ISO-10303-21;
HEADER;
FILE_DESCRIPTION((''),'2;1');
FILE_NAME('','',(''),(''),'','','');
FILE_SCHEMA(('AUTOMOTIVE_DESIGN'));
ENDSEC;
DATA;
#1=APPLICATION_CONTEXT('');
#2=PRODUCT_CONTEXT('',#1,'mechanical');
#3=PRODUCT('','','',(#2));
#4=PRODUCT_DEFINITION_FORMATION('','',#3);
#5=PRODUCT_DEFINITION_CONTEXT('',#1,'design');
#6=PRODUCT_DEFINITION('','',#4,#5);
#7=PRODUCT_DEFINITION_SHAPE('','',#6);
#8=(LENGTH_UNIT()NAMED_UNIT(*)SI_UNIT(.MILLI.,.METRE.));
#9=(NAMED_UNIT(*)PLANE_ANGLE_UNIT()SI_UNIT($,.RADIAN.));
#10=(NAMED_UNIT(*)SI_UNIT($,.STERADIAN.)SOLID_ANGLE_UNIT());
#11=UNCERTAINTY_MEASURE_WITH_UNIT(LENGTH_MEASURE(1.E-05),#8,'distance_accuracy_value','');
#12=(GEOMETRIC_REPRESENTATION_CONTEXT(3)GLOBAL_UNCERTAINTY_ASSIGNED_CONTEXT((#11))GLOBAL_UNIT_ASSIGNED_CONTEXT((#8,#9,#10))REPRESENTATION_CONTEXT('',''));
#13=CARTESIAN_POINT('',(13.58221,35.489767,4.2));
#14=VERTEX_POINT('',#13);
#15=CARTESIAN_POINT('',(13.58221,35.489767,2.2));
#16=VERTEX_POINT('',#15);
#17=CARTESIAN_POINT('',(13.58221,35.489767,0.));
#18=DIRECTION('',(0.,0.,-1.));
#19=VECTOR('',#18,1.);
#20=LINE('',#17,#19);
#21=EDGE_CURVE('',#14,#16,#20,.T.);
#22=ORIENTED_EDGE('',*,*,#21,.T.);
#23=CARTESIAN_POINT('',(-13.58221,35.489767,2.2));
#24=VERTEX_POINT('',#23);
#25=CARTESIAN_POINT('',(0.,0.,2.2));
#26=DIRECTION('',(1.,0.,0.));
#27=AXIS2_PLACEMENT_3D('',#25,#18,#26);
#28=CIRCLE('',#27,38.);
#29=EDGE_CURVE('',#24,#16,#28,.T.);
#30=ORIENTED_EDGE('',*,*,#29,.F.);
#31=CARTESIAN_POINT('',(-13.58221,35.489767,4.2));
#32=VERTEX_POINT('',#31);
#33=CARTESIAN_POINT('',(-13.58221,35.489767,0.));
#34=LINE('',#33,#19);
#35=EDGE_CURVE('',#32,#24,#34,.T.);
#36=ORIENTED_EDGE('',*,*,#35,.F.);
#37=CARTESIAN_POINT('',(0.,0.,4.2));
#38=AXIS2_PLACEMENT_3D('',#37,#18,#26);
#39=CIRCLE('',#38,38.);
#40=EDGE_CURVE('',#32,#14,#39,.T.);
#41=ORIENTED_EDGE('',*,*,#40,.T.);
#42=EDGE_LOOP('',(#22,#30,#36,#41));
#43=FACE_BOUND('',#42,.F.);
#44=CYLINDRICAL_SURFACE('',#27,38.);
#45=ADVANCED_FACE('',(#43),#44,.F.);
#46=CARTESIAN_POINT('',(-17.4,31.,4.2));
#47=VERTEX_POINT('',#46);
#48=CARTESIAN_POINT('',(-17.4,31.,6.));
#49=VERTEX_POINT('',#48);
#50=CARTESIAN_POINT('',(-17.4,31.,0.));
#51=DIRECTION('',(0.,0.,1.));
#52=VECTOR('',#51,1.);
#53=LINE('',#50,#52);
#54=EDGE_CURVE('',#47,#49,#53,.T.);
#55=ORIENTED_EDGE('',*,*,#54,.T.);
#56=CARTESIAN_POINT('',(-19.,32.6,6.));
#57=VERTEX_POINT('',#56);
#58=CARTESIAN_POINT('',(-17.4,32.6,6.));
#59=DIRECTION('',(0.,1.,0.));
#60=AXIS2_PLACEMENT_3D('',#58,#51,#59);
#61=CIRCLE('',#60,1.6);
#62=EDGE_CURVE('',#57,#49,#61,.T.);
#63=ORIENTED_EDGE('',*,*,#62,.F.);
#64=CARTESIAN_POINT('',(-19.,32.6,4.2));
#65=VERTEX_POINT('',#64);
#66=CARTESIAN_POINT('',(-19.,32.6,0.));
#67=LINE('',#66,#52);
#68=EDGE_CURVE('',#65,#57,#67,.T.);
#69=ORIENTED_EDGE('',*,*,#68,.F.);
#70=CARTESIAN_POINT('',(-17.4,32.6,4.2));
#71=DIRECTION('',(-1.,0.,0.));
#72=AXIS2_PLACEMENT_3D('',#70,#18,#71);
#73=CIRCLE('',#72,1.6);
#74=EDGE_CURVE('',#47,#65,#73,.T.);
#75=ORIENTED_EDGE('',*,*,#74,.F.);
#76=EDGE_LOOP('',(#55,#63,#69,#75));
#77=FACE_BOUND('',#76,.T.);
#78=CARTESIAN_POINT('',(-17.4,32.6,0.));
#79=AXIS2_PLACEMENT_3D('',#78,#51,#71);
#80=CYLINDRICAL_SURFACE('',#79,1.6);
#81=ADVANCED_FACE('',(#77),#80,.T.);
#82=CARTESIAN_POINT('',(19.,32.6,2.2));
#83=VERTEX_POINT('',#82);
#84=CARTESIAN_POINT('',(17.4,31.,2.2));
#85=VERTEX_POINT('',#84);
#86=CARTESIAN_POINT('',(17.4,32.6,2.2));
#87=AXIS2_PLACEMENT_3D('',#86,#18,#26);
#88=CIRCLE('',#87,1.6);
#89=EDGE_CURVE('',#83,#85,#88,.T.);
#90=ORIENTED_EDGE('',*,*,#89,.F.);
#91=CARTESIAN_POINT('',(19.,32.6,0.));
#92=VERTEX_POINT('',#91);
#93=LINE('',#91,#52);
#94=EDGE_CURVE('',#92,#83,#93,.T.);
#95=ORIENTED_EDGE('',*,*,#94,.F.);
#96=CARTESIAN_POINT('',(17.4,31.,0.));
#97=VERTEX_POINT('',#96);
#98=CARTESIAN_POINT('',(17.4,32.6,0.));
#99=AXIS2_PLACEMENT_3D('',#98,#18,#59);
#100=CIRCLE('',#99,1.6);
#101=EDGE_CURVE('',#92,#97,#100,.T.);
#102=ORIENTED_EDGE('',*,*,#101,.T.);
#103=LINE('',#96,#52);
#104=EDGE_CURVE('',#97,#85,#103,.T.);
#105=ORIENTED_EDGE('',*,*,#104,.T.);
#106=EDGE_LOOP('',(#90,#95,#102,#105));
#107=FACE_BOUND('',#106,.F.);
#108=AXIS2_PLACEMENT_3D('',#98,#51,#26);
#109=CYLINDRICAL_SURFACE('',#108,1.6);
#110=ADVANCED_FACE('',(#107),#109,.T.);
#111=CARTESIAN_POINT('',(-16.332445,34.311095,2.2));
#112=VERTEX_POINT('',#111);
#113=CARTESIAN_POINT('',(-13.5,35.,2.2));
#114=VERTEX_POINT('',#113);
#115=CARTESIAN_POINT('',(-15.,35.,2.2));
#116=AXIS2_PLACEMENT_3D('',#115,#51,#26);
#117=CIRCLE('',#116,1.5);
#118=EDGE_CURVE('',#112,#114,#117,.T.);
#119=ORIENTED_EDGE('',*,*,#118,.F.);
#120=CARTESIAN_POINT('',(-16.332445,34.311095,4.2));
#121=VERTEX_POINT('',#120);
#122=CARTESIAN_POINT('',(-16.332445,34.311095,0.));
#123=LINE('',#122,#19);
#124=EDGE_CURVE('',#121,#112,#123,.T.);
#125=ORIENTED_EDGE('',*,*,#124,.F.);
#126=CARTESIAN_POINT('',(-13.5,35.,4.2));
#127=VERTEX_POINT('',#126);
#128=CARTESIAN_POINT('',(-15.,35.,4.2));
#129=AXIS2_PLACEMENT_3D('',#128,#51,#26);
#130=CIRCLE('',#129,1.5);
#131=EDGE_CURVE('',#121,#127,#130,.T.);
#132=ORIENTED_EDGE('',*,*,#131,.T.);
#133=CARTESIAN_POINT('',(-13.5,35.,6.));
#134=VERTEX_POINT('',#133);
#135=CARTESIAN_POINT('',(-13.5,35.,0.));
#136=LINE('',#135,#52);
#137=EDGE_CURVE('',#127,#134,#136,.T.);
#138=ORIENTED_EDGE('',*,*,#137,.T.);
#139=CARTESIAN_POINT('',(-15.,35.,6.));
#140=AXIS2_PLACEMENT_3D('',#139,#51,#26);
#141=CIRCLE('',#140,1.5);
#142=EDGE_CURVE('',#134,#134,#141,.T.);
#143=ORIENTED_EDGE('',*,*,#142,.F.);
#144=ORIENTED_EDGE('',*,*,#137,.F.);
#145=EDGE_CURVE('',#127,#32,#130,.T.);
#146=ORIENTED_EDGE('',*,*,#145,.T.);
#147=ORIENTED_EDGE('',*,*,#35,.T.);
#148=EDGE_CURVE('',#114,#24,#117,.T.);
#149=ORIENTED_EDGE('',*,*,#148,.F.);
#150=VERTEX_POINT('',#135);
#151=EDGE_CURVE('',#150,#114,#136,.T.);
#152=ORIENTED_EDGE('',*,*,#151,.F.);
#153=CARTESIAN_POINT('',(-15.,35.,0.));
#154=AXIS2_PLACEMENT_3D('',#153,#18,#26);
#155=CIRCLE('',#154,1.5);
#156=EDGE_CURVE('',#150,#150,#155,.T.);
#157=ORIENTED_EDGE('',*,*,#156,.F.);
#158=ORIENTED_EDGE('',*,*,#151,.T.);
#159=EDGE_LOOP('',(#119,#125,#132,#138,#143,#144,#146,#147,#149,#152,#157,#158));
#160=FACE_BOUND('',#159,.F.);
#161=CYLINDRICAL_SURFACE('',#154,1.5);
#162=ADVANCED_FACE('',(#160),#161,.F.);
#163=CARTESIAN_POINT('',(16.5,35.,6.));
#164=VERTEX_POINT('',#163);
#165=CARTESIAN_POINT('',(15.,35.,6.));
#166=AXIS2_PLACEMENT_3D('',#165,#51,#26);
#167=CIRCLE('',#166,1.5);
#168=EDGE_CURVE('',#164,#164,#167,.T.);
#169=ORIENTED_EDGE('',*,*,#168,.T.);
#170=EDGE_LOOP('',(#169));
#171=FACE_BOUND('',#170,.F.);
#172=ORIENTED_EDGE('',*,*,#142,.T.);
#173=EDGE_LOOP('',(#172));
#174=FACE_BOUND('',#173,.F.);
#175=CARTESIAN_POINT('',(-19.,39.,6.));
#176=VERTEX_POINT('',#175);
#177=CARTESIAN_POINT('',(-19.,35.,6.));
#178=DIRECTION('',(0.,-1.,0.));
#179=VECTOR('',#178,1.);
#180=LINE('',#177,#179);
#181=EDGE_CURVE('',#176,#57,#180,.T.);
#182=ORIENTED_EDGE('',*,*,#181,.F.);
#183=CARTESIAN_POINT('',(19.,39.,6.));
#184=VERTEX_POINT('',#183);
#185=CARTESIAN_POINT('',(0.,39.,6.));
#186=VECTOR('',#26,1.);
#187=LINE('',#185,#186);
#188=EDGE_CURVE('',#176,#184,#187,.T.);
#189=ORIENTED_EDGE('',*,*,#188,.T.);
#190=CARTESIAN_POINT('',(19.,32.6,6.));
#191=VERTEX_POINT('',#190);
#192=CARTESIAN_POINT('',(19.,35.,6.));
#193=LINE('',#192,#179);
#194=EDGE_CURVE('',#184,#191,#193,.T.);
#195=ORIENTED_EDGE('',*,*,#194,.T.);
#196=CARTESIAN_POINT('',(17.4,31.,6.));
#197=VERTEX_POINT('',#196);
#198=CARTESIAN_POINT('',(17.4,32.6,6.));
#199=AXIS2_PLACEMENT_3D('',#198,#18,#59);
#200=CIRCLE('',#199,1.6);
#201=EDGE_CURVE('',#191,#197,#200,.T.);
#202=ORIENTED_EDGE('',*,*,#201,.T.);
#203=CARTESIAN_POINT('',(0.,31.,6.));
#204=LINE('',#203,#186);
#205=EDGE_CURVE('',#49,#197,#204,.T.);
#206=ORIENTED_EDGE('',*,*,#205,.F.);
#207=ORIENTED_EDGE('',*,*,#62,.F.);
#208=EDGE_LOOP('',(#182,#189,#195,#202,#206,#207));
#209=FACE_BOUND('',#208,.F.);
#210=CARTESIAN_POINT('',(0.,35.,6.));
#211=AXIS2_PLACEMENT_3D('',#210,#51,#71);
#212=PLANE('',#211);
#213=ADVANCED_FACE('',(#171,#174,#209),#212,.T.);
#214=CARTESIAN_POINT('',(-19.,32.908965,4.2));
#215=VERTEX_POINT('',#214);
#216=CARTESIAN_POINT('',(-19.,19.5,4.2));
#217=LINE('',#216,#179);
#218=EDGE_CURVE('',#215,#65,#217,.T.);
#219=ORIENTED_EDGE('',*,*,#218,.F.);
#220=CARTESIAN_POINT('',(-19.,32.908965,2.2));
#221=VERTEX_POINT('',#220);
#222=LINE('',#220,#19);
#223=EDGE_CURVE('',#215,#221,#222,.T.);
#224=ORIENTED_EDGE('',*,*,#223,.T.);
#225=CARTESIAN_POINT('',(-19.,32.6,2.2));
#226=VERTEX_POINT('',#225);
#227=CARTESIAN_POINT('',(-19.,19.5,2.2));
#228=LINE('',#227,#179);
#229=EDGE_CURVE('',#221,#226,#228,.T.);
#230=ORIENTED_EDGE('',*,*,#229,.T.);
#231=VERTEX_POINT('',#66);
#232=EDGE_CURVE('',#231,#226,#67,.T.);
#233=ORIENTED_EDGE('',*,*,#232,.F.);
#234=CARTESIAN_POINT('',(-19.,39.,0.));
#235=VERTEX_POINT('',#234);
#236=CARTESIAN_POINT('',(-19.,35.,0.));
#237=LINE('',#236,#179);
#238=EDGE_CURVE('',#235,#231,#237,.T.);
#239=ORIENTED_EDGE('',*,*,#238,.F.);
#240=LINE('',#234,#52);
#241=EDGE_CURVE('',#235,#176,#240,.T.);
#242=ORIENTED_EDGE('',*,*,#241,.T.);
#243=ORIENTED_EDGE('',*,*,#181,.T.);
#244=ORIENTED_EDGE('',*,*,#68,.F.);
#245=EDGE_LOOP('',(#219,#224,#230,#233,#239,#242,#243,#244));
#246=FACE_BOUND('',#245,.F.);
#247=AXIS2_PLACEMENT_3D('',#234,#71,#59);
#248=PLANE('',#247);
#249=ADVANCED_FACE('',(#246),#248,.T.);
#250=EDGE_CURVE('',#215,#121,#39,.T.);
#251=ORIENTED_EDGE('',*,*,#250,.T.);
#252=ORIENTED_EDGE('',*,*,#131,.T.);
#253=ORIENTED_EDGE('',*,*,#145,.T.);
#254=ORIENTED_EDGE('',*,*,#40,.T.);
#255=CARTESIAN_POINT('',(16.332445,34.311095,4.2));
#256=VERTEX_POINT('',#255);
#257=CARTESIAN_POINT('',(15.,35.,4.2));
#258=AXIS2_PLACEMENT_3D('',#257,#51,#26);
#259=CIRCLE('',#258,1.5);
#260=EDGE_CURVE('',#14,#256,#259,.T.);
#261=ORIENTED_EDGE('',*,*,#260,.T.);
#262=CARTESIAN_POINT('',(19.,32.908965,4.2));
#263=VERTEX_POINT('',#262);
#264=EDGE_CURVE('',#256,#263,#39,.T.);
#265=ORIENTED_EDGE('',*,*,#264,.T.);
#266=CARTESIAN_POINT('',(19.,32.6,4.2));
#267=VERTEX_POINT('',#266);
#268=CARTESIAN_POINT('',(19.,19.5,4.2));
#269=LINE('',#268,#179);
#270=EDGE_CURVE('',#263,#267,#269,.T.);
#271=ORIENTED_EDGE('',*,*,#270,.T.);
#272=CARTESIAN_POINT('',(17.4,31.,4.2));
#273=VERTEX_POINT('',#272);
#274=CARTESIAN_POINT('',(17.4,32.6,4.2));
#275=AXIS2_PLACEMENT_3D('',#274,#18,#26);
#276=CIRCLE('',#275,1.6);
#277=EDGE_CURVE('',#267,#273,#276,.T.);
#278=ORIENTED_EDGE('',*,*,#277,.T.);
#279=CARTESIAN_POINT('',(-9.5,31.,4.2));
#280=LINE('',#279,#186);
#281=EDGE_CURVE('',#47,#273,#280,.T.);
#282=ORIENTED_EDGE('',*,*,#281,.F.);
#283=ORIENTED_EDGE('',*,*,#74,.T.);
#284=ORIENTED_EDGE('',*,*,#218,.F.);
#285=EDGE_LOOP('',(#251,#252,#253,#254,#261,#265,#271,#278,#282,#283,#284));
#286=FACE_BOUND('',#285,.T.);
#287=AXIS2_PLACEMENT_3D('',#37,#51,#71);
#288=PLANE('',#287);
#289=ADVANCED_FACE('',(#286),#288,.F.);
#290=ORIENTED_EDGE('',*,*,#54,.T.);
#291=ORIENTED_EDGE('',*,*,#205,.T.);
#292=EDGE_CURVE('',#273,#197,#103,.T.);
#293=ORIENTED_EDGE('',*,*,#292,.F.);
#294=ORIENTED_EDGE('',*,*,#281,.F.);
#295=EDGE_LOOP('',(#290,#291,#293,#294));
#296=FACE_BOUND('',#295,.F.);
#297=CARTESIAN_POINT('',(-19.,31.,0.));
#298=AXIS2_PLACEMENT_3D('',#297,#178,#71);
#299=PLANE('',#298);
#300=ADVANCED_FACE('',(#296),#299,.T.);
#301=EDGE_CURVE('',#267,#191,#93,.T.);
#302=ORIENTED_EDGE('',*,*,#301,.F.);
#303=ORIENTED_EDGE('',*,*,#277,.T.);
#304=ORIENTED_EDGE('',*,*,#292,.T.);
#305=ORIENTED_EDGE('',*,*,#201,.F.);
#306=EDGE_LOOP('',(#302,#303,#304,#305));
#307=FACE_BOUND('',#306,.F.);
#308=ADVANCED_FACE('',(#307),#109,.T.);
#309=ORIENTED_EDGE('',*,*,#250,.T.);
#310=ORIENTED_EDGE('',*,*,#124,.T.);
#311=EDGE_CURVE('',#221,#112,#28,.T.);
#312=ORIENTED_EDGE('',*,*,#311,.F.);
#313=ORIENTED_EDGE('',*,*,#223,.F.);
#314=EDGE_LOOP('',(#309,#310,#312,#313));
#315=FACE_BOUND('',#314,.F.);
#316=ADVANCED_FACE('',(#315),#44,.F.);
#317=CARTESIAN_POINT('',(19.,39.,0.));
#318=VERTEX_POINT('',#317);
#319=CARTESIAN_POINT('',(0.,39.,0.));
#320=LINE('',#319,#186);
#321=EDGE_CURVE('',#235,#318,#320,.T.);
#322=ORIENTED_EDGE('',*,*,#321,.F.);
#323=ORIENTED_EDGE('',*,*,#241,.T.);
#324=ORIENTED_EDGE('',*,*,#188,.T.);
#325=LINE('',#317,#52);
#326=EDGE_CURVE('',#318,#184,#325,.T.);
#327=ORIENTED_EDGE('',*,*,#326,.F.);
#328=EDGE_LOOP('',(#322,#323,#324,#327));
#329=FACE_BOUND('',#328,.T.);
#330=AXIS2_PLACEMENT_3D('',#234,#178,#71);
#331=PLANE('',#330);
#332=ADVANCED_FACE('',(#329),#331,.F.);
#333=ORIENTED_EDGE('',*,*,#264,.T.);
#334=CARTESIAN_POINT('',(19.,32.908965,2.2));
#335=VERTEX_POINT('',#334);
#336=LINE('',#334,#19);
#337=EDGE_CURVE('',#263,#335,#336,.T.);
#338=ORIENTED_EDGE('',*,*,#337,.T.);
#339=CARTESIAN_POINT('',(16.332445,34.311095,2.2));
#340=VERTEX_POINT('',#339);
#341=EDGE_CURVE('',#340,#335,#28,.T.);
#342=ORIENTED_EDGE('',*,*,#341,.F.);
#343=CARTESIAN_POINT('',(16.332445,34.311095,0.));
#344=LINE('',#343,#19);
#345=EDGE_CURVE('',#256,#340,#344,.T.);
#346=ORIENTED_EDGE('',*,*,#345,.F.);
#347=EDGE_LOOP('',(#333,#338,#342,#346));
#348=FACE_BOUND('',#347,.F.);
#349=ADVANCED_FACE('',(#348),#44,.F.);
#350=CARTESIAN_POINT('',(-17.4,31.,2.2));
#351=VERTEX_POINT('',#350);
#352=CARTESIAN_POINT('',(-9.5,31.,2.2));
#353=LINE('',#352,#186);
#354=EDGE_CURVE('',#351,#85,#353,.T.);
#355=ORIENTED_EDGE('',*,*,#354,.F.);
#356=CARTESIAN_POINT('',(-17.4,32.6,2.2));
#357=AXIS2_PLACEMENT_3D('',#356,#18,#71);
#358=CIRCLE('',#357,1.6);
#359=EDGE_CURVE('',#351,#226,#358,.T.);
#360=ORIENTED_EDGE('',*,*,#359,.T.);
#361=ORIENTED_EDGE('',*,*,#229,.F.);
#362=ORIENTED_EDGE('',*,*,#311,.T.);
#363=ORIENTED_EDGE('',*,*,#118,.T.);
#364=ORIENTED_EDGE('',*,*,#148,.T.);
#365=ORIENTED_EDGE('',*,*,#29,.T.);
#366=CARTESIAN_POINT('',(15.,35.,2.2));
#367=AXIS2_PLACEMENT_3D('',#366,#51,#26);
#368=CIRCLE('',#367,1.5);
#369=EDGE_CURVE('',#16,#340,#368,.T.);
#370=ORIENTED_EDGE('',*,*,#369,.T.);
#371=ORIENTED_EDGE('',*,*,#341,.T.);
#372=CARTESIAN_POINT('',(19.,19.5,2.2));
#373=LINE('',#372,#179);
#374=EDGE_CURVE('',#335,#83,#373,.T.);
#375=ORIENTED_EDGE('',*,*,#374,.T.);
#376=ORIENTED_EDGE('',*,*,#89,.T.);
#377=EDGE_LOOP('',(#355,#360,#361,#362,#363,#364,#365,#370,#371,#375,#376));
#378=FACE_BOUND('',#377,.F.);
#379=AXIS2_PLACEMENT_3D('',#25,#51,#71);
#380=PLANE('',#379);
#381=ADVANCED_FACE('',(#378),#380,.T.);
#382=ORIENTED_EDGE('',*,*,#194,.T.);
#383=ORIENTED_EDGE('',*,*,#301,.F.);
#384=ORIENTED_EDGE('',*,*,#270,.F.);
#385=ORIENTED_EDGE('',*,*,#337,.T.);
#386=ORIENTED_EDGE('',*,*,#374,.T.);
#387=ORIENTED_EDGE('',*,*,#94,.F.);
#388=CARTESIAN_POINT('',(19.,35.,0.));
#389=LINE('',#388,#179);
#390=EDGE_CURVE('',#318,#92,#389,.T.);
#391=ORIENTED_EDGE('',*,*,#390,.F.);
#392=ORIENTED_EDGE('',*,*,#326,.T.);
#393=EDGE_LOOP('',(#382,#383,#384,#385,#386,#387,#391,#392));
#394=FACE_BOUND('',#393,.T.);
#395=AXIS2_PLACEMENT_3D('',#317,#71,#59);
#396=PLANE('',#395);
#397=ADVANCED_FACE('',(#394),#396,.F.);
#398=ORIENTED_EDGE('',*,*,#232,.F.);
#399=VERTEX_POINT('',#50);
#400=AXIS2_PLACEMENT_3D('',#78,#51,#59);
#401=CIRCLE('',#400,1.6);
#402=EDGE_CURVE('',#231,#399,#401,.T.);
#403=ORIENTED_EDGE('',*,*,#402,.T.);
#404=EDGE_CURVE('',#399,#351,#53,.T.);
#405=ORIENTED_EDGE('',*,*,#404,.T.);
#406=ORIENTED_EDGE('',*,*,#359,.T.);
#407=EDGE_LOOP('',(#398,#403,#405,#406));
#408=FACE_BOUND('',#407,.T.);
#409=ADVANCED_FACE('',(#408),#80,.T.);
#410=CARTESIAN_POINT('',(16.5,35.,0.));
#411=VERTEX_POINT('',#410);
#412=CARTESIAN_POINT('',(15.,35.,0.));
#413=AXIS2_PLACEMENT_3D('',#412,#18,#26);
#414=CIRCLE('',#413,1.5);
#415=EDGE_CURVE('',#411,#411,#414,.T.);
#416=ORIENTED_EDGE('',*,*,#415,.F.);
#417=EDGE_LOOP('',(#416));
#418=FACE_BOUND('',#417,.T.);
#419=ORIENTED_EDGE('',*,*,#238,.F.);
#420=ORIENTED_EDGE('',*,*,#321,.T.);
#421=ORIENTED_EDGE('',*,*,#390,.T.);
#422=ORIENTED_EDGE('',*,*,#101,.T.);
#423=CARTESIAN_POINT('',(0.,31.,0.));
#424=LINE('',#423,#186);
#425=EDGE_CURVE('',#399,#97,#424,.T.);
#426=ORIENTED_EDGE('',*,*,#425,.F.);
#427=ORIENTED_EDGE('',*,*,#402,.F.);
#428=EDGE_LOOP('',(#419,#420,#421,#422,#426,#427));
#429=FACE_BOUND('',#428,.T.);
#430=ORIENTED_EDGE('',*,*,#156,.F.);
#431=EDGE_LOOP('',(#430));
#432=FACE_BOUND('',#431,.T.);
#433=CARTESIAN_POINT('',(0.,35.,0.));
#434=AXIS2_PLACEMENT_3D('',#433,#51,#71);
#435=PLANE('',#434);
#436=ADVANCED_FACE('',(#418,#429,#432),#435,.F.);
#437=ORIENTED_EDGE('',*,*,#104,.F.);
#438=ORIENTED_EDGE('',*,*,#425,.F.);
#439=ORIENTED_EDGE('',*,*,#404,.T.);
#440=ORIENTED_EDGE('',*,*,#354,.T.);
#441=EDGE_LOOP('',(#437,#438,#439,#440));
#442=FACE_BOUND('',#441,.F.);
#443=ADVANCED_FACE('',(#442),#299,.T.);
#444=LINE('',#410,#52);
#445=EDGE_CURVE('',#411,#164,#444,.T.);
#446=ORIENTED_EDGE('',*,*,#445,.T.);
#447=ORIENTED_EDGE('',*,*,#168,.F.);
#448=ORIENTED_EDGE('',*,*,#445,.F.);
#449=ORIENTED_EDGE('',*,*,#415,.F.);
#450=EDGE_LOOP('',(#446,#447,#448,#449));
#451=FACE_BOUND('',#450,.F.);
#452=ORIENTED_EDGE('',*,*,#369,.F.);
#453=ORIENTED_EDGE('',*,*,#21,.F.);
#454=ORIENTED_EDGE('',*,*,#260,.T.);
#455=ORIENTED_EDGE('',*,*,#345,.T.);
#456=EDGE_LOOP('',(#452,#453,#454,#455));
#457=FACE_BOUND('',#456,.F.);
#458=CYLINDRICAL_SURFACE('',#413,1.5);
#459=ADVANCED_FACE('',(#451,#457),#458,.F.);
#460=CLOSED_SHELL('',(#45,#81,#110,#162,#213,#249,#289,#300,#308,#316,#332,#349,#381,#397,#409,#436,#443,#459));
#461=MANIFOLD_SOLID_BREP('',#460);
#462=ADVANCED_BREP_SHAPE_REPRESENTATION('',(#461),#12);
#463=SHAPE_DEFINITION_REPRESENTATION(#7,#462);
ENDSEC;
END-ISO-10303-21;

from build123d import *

# Parameters (mm, degrees)
CYLINDER028_R     = 38
CYLINDER028_DEPTH = 2
CYLINDER031_R     = 1.5
CYLINDER031_DEPTH = 10
CYLINDER032_R     = 1.5
CYLINDER032_DEPTH = 10
BOX033_W          = 38
BOX033_H          = 8
BOX033_DEPTH      = 6
FILLET006_R       = 1.6


with BuildPart() as cylinder007:
    # Cylinder028 → Cylinder028 (new body)
    with BuildSketch(Plane.XY.offset(2.2)):
        Circle(CYLINDER028_R)
    extrude(amount=CYLINDER028_DEPTH)


with BuildPart() as cylinder010:
    # Cylinder031 → Cylinder031 (new body)
    with BuildSketch(Plane(origin=(-15, -35, 0), x_dir=(1, 0, 0), z_dir=(0, 0, 1))):
        Circle(CYLINDER031_R)
    extrude(amount=CYLINDER031_DEPTH)


with BuildPart() as fusion017:
    # Cylinder032 → Cylinder032 (new body)
    with BuildSketch(Plane(origin=(15, -35, 0), x_dir=(1, 0, 0), z_dir=(0, 0, 1))):
        Circle(CYLINDER032_R)
    extrude(amount=CYLINDER032_DEPTH)

    # Fusion017: union Cylinder010
    add(cylinder010.part)


with BuildPart() as cut031:
    # Box033 → Box033 (new body)
    with BuildSketch(Plane(origin=(-19, -39, 0), x_dir=(1, 0, 0), z_dir=(0, 0, 1))):
        with Locations((19, 4)):
            Rectangle(BOX033_W, BOX033_H)
    extrude(amount=BOX033_DEPTH)

    # Fillet006
    fillet006_edges = [cut031.edges().sort_by_distance(p)[0] for p in [
        (-19, -31, 3),
        (19, -31, 3),
    ]]
    fillet(fillet006_edges, radius=FILLET006_R)

    # Cut030: cut Fusion017
    add(fusion017.part, mode=Mode.SUBTRACT)

    # Cut031: cut Cylinder007
    add(cylinder007.part, mode=Mode.SUBTRACT)


with BuildPart() as part_mirroring003:
    # Part__Mirroring003: instance of Cut031
    add(cut031.part.mirror(Plane(origin=(0, 0, 0), x_dir=(1, 0, 0), z_dir=(0, 1, 0))))


solid = part_mirroring003.part
